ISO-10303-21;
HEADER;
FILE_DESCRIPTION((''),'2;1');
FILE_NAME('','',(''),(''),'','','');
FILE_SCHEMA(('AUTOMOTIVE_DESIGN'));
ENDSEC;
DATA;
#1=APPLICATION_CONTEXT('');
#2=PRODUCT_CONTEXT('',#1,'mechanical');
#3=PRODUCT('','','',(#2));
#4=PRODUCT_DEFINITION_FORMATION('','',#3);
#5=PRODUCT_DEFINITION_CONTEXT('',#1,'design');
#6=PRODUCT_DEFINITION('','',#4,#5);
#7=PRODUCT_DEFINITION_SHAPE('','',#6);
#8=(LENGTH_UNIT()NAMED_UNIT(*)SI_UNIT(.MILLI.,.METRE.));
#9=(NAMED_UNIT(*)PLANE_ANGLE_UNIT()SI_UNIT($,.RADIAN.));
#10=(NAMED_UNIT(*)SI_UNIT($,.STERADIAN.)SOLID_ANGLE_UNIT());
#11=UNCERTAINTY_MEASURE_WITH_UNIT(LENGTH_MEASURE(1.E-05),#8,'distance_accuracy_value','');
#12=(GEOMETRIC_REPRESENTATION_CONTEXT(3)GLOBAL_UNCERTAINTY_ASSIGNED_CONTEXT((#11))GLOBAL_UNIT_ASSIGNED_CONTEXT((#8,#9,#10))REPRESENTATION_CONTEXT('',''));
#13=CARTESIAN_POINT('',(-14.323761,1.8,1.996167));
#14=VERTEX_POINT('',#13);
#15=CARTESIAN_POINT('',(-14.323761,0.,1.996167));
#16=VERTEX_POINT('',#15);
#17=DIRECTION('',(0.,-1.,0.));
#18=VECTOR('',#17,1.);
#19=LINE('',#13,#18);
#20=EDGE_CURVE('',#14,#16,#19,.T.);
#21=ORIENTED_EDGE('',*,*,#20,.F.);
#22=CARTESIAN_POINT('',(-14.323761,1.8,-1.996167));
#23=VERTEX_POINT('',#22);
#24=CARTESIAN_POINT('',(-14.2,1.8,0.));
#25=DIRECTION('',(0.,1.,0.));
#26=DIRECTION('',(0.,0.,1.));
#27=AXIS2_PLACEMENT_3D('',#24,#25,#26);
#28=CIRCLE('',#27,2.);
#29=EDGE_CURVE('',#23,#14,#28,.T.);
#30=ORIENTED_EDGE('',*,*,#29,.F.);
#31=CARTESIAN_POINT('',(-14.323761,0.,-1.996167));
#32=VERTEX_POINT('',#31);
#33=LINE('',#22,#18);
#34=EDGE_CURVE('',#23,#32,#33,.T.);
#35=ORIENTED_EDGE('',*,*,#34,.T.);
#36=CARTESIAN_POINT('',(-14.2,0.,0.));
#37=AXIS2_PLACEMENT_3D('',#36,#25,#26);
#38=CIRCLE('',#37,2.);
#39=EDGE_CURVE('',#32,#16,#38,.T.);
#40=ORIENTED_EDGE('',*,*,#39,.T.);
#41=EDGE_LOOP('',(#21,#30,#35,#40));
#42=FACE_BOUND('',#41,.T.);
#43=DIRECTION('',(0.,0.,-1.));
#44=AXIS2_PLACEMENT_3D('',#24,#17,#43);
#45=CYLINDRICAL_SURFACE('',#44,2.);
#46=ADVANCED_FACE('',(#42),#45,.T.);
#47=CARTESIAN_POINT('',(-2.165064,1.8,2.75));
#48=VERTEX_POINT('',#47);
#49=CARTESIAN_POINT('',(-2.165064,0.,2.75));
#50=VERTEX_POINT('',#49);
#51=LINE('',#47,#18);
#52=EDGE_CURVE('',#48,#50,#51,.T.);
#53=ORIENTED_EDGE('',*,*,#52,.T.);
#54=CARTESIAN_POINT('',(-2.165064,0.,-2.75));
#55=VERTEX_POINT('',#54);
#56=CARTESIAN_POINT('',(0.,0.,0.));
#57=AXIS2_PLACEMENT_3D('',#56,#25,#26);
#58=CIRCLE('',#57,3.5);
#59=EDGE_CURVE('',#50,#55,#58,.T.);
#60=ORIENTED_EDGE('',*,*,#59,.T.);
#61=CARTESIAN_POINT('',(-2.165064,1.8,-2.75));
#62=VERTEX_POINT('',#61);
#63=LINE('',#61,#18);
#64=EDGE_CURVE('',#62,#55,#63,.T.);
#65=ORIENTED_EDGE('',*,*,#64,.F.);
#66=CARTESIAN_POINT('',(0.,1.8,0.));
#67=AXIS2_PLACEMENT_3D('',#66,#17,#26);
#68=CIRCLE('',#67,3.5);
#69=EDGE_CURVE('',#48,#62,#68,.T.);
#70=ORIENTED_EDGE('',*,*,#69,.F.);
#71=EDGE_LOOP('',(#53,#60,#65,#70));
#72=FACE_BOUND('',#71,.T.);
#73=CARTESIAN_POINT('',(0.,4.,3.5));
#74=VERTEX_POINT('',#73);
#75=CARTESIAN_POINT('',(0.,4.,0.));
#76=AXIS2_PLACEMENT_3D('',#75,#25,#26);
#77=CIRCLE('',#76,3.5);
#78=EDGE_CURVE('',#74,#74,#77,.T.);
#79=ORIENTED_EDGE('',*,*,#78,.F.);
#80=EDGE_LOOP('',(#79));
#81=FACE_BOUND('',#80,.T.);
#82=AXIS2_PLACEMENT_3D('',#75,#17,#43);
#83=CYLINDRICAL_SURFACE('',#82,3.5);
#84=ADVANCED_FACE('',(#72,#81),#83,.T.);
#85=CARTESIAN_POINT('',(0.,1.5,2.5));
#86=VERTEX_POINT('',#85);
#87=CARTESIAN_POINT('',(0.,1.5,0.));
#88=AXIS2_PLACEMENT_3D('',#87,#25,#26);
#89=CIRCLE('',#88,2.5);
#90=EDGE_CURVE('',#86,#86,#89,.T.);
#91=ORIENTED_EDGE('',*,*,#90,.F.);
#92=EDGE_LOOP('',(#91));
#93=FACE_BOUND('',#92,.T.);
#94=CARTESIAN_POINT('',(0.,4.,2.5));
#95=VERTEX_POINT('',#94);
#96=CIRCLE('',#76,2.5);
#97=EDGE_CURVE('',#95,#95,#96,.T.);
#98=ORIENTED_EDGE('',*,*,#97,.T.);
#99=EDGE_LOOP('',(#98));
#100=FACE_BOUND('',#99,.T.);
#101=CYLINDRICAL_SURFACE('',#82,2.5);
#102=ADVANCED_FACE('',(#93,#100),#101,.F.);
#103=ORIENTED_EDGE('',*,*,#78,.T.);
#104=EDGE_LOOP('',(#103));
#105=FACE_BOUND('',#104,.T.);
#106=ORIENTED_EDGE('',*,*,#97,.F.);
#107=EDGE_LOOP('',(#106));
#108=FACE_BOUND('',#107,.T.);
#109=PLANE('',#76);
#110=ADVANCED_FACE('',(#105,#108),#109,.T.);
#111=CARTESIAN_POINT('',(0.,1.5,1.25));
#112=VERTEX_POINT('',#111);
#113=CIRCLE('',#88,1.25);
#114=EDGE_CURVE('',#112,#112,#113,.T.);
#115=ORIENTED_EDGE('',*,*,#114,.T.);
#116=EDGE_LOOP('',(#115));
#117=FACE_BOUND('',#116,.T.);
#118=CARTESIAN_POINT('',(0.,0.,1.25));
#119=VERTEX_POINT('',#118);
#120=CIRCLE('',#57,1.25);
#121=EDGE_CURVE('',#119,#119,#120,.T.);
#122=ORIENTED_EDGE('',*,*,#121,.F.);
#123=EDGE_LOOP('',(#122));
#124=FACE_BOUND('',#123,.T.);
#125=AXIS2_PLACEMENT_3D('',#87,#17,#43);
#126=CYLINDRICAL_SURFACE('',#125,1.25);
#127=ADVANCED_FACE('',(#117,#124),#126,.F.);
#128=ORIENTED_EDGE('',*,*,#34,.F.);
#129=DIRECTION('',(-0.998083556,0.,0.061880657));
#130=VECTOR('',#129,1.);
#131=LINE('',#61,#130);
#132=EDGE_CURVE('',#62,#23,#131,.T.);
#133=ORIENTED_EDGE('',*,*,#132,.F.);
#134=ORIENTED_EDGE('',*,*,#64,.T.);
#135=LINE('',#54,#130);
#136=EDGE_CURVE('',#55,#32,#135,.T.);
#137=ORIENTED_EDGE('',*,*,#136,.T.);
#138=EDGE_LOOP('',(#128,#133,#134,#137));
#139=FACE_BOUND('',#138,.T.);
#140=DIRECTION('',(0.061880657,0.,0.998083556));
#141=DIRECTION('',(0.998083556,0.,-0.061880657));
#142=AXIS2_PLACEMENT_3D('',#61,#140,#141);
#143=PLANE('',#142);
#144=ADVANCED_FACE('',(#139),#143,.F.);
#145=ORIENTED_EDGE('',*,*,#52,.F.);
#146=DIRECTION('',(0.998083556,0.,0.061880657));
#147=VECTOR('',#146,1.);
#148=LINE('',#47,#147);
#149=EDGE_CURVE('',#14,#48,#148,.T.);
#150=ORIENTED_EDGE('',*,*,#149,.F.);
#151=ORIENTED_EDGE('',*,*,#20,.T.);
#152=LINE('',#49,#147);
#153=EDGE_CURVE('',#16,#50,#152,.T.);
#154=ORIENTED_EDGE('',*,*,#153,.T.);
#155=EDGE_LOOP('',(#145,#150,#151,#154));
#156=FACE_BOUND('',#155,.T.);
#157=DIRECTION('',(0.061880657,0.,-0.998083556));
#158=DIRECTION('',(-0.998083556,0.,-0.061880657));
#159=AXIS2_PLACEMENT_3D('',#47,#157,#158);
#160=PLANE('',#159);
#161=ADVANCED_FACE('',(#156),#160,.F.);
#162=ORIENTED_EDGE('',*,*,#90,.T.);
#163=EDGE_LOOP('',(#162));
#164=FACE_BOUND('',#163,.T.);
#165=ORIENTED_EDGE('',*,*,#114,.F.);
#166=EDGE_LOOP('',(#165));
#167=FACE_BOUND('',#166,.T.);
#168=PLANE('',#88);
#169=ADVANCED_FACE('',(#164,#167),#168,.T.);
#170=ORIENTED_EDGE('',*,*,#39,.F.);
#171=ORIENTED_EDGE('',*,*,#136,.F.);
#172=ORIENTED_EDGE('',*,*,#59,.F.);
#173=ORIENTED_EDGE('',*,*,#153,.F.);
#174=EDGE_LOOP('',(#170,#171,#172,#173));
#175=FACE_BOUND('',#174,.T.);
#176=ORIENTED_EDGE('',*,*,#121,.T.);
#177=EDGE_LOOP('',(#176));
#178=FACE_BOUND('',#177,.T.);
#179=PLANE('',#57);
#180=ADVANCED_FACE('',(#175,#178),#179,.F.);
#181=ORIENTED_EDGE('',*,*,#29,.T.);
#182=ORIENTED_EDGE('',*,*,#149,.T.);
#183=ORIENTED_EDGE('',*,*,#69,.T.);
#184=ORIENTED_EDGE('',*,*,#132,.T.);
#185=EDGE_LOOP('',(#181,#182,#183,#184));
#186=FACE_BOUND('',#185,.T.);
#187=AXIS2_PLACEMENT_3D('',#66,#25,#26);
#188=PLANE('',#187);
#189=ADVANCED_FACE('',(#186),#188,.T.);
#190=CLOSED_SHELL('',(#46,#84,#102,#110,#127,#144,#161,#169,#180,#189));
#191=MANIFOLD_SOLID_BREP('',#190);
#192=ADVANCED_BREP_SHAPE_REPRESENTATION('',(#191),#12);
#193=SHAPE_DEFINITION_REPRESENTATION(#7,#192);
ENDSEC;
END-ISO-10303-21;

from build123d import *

# Parameters (mm, degrees)
SKETCH1_R           = 3.5
SKETCH1_R_2         = 2.5
BOSS_EXTRUDE1_DEPTH = 4
BOSS_EXTRUDE2_DEPTH = 1.8
SKETCH3_R           = 2.5
SKETCH3_R_2         = 1.25
BOSS_EXTRUDE3_DEPTH = 1.5


with BuildPart() as part:
    # Sketch1 → Boss-Extrude1 (new body)
    with BuildSketch(Plane(origin=(0, 0, 0), x_dir=(1, 0, 0), z_dir=(0, 1, 0))):
        with Locations(Location((0, 0, 0), (0, 0, 270))):
            Circle(SKETCH1_R)
        with Locations(Location((0, 0, 0), (0, 0, 270))):
            Circle(SKETCH1_R_2, mode=Mode.SUBTRACT)
    extrude(amount=BOSS_EXTRUDE1_DEPTH)

    # Sketch2 → Boss-Extrude2 (add)
    with BuildSketch(Plane(origin=(0, 0, 0), x_dir=(1, 0, 0), z_dir=(0, 1, 0))):
        with BuildLine():
            Line((-2.165063509, 2.75), (-14.323761314, 1.996167112))
            ThreePointArc((-14.323761314, 1.996167112), (-16.2, 0), (-14.323761314, -1.996167112))
            Line((-14.323761314, -1.996167112), (-2.165063509, -2.75))
            ThreePointArc((-2.165063509, -2.75), (-3.5, 0), (-2.165063509, 2.75))
        make_face()
    extrude(amount=BOSS_EXTRUDE2_DEPTH)

    # Sketch3 → Boss-Extrude3 (add)
    with BuildSketch(Plane(origin=(0, 0, 0), x_dir=(1, 0, 0), z_dir=(0, 1, 0))):
        with Locations(Location((0, 0, 0), (0, 0, 270))):
            Circle(SKETCH3_R)
        with Locations(Location((0, 0, 0), (0, 0, 270))):
            Circle(SKETCH3_R_2, mode=Mode.SUBTRACT)
    extrude(amount=BOSS_EXTRUDE3_DEPTH)


solid = part.part
